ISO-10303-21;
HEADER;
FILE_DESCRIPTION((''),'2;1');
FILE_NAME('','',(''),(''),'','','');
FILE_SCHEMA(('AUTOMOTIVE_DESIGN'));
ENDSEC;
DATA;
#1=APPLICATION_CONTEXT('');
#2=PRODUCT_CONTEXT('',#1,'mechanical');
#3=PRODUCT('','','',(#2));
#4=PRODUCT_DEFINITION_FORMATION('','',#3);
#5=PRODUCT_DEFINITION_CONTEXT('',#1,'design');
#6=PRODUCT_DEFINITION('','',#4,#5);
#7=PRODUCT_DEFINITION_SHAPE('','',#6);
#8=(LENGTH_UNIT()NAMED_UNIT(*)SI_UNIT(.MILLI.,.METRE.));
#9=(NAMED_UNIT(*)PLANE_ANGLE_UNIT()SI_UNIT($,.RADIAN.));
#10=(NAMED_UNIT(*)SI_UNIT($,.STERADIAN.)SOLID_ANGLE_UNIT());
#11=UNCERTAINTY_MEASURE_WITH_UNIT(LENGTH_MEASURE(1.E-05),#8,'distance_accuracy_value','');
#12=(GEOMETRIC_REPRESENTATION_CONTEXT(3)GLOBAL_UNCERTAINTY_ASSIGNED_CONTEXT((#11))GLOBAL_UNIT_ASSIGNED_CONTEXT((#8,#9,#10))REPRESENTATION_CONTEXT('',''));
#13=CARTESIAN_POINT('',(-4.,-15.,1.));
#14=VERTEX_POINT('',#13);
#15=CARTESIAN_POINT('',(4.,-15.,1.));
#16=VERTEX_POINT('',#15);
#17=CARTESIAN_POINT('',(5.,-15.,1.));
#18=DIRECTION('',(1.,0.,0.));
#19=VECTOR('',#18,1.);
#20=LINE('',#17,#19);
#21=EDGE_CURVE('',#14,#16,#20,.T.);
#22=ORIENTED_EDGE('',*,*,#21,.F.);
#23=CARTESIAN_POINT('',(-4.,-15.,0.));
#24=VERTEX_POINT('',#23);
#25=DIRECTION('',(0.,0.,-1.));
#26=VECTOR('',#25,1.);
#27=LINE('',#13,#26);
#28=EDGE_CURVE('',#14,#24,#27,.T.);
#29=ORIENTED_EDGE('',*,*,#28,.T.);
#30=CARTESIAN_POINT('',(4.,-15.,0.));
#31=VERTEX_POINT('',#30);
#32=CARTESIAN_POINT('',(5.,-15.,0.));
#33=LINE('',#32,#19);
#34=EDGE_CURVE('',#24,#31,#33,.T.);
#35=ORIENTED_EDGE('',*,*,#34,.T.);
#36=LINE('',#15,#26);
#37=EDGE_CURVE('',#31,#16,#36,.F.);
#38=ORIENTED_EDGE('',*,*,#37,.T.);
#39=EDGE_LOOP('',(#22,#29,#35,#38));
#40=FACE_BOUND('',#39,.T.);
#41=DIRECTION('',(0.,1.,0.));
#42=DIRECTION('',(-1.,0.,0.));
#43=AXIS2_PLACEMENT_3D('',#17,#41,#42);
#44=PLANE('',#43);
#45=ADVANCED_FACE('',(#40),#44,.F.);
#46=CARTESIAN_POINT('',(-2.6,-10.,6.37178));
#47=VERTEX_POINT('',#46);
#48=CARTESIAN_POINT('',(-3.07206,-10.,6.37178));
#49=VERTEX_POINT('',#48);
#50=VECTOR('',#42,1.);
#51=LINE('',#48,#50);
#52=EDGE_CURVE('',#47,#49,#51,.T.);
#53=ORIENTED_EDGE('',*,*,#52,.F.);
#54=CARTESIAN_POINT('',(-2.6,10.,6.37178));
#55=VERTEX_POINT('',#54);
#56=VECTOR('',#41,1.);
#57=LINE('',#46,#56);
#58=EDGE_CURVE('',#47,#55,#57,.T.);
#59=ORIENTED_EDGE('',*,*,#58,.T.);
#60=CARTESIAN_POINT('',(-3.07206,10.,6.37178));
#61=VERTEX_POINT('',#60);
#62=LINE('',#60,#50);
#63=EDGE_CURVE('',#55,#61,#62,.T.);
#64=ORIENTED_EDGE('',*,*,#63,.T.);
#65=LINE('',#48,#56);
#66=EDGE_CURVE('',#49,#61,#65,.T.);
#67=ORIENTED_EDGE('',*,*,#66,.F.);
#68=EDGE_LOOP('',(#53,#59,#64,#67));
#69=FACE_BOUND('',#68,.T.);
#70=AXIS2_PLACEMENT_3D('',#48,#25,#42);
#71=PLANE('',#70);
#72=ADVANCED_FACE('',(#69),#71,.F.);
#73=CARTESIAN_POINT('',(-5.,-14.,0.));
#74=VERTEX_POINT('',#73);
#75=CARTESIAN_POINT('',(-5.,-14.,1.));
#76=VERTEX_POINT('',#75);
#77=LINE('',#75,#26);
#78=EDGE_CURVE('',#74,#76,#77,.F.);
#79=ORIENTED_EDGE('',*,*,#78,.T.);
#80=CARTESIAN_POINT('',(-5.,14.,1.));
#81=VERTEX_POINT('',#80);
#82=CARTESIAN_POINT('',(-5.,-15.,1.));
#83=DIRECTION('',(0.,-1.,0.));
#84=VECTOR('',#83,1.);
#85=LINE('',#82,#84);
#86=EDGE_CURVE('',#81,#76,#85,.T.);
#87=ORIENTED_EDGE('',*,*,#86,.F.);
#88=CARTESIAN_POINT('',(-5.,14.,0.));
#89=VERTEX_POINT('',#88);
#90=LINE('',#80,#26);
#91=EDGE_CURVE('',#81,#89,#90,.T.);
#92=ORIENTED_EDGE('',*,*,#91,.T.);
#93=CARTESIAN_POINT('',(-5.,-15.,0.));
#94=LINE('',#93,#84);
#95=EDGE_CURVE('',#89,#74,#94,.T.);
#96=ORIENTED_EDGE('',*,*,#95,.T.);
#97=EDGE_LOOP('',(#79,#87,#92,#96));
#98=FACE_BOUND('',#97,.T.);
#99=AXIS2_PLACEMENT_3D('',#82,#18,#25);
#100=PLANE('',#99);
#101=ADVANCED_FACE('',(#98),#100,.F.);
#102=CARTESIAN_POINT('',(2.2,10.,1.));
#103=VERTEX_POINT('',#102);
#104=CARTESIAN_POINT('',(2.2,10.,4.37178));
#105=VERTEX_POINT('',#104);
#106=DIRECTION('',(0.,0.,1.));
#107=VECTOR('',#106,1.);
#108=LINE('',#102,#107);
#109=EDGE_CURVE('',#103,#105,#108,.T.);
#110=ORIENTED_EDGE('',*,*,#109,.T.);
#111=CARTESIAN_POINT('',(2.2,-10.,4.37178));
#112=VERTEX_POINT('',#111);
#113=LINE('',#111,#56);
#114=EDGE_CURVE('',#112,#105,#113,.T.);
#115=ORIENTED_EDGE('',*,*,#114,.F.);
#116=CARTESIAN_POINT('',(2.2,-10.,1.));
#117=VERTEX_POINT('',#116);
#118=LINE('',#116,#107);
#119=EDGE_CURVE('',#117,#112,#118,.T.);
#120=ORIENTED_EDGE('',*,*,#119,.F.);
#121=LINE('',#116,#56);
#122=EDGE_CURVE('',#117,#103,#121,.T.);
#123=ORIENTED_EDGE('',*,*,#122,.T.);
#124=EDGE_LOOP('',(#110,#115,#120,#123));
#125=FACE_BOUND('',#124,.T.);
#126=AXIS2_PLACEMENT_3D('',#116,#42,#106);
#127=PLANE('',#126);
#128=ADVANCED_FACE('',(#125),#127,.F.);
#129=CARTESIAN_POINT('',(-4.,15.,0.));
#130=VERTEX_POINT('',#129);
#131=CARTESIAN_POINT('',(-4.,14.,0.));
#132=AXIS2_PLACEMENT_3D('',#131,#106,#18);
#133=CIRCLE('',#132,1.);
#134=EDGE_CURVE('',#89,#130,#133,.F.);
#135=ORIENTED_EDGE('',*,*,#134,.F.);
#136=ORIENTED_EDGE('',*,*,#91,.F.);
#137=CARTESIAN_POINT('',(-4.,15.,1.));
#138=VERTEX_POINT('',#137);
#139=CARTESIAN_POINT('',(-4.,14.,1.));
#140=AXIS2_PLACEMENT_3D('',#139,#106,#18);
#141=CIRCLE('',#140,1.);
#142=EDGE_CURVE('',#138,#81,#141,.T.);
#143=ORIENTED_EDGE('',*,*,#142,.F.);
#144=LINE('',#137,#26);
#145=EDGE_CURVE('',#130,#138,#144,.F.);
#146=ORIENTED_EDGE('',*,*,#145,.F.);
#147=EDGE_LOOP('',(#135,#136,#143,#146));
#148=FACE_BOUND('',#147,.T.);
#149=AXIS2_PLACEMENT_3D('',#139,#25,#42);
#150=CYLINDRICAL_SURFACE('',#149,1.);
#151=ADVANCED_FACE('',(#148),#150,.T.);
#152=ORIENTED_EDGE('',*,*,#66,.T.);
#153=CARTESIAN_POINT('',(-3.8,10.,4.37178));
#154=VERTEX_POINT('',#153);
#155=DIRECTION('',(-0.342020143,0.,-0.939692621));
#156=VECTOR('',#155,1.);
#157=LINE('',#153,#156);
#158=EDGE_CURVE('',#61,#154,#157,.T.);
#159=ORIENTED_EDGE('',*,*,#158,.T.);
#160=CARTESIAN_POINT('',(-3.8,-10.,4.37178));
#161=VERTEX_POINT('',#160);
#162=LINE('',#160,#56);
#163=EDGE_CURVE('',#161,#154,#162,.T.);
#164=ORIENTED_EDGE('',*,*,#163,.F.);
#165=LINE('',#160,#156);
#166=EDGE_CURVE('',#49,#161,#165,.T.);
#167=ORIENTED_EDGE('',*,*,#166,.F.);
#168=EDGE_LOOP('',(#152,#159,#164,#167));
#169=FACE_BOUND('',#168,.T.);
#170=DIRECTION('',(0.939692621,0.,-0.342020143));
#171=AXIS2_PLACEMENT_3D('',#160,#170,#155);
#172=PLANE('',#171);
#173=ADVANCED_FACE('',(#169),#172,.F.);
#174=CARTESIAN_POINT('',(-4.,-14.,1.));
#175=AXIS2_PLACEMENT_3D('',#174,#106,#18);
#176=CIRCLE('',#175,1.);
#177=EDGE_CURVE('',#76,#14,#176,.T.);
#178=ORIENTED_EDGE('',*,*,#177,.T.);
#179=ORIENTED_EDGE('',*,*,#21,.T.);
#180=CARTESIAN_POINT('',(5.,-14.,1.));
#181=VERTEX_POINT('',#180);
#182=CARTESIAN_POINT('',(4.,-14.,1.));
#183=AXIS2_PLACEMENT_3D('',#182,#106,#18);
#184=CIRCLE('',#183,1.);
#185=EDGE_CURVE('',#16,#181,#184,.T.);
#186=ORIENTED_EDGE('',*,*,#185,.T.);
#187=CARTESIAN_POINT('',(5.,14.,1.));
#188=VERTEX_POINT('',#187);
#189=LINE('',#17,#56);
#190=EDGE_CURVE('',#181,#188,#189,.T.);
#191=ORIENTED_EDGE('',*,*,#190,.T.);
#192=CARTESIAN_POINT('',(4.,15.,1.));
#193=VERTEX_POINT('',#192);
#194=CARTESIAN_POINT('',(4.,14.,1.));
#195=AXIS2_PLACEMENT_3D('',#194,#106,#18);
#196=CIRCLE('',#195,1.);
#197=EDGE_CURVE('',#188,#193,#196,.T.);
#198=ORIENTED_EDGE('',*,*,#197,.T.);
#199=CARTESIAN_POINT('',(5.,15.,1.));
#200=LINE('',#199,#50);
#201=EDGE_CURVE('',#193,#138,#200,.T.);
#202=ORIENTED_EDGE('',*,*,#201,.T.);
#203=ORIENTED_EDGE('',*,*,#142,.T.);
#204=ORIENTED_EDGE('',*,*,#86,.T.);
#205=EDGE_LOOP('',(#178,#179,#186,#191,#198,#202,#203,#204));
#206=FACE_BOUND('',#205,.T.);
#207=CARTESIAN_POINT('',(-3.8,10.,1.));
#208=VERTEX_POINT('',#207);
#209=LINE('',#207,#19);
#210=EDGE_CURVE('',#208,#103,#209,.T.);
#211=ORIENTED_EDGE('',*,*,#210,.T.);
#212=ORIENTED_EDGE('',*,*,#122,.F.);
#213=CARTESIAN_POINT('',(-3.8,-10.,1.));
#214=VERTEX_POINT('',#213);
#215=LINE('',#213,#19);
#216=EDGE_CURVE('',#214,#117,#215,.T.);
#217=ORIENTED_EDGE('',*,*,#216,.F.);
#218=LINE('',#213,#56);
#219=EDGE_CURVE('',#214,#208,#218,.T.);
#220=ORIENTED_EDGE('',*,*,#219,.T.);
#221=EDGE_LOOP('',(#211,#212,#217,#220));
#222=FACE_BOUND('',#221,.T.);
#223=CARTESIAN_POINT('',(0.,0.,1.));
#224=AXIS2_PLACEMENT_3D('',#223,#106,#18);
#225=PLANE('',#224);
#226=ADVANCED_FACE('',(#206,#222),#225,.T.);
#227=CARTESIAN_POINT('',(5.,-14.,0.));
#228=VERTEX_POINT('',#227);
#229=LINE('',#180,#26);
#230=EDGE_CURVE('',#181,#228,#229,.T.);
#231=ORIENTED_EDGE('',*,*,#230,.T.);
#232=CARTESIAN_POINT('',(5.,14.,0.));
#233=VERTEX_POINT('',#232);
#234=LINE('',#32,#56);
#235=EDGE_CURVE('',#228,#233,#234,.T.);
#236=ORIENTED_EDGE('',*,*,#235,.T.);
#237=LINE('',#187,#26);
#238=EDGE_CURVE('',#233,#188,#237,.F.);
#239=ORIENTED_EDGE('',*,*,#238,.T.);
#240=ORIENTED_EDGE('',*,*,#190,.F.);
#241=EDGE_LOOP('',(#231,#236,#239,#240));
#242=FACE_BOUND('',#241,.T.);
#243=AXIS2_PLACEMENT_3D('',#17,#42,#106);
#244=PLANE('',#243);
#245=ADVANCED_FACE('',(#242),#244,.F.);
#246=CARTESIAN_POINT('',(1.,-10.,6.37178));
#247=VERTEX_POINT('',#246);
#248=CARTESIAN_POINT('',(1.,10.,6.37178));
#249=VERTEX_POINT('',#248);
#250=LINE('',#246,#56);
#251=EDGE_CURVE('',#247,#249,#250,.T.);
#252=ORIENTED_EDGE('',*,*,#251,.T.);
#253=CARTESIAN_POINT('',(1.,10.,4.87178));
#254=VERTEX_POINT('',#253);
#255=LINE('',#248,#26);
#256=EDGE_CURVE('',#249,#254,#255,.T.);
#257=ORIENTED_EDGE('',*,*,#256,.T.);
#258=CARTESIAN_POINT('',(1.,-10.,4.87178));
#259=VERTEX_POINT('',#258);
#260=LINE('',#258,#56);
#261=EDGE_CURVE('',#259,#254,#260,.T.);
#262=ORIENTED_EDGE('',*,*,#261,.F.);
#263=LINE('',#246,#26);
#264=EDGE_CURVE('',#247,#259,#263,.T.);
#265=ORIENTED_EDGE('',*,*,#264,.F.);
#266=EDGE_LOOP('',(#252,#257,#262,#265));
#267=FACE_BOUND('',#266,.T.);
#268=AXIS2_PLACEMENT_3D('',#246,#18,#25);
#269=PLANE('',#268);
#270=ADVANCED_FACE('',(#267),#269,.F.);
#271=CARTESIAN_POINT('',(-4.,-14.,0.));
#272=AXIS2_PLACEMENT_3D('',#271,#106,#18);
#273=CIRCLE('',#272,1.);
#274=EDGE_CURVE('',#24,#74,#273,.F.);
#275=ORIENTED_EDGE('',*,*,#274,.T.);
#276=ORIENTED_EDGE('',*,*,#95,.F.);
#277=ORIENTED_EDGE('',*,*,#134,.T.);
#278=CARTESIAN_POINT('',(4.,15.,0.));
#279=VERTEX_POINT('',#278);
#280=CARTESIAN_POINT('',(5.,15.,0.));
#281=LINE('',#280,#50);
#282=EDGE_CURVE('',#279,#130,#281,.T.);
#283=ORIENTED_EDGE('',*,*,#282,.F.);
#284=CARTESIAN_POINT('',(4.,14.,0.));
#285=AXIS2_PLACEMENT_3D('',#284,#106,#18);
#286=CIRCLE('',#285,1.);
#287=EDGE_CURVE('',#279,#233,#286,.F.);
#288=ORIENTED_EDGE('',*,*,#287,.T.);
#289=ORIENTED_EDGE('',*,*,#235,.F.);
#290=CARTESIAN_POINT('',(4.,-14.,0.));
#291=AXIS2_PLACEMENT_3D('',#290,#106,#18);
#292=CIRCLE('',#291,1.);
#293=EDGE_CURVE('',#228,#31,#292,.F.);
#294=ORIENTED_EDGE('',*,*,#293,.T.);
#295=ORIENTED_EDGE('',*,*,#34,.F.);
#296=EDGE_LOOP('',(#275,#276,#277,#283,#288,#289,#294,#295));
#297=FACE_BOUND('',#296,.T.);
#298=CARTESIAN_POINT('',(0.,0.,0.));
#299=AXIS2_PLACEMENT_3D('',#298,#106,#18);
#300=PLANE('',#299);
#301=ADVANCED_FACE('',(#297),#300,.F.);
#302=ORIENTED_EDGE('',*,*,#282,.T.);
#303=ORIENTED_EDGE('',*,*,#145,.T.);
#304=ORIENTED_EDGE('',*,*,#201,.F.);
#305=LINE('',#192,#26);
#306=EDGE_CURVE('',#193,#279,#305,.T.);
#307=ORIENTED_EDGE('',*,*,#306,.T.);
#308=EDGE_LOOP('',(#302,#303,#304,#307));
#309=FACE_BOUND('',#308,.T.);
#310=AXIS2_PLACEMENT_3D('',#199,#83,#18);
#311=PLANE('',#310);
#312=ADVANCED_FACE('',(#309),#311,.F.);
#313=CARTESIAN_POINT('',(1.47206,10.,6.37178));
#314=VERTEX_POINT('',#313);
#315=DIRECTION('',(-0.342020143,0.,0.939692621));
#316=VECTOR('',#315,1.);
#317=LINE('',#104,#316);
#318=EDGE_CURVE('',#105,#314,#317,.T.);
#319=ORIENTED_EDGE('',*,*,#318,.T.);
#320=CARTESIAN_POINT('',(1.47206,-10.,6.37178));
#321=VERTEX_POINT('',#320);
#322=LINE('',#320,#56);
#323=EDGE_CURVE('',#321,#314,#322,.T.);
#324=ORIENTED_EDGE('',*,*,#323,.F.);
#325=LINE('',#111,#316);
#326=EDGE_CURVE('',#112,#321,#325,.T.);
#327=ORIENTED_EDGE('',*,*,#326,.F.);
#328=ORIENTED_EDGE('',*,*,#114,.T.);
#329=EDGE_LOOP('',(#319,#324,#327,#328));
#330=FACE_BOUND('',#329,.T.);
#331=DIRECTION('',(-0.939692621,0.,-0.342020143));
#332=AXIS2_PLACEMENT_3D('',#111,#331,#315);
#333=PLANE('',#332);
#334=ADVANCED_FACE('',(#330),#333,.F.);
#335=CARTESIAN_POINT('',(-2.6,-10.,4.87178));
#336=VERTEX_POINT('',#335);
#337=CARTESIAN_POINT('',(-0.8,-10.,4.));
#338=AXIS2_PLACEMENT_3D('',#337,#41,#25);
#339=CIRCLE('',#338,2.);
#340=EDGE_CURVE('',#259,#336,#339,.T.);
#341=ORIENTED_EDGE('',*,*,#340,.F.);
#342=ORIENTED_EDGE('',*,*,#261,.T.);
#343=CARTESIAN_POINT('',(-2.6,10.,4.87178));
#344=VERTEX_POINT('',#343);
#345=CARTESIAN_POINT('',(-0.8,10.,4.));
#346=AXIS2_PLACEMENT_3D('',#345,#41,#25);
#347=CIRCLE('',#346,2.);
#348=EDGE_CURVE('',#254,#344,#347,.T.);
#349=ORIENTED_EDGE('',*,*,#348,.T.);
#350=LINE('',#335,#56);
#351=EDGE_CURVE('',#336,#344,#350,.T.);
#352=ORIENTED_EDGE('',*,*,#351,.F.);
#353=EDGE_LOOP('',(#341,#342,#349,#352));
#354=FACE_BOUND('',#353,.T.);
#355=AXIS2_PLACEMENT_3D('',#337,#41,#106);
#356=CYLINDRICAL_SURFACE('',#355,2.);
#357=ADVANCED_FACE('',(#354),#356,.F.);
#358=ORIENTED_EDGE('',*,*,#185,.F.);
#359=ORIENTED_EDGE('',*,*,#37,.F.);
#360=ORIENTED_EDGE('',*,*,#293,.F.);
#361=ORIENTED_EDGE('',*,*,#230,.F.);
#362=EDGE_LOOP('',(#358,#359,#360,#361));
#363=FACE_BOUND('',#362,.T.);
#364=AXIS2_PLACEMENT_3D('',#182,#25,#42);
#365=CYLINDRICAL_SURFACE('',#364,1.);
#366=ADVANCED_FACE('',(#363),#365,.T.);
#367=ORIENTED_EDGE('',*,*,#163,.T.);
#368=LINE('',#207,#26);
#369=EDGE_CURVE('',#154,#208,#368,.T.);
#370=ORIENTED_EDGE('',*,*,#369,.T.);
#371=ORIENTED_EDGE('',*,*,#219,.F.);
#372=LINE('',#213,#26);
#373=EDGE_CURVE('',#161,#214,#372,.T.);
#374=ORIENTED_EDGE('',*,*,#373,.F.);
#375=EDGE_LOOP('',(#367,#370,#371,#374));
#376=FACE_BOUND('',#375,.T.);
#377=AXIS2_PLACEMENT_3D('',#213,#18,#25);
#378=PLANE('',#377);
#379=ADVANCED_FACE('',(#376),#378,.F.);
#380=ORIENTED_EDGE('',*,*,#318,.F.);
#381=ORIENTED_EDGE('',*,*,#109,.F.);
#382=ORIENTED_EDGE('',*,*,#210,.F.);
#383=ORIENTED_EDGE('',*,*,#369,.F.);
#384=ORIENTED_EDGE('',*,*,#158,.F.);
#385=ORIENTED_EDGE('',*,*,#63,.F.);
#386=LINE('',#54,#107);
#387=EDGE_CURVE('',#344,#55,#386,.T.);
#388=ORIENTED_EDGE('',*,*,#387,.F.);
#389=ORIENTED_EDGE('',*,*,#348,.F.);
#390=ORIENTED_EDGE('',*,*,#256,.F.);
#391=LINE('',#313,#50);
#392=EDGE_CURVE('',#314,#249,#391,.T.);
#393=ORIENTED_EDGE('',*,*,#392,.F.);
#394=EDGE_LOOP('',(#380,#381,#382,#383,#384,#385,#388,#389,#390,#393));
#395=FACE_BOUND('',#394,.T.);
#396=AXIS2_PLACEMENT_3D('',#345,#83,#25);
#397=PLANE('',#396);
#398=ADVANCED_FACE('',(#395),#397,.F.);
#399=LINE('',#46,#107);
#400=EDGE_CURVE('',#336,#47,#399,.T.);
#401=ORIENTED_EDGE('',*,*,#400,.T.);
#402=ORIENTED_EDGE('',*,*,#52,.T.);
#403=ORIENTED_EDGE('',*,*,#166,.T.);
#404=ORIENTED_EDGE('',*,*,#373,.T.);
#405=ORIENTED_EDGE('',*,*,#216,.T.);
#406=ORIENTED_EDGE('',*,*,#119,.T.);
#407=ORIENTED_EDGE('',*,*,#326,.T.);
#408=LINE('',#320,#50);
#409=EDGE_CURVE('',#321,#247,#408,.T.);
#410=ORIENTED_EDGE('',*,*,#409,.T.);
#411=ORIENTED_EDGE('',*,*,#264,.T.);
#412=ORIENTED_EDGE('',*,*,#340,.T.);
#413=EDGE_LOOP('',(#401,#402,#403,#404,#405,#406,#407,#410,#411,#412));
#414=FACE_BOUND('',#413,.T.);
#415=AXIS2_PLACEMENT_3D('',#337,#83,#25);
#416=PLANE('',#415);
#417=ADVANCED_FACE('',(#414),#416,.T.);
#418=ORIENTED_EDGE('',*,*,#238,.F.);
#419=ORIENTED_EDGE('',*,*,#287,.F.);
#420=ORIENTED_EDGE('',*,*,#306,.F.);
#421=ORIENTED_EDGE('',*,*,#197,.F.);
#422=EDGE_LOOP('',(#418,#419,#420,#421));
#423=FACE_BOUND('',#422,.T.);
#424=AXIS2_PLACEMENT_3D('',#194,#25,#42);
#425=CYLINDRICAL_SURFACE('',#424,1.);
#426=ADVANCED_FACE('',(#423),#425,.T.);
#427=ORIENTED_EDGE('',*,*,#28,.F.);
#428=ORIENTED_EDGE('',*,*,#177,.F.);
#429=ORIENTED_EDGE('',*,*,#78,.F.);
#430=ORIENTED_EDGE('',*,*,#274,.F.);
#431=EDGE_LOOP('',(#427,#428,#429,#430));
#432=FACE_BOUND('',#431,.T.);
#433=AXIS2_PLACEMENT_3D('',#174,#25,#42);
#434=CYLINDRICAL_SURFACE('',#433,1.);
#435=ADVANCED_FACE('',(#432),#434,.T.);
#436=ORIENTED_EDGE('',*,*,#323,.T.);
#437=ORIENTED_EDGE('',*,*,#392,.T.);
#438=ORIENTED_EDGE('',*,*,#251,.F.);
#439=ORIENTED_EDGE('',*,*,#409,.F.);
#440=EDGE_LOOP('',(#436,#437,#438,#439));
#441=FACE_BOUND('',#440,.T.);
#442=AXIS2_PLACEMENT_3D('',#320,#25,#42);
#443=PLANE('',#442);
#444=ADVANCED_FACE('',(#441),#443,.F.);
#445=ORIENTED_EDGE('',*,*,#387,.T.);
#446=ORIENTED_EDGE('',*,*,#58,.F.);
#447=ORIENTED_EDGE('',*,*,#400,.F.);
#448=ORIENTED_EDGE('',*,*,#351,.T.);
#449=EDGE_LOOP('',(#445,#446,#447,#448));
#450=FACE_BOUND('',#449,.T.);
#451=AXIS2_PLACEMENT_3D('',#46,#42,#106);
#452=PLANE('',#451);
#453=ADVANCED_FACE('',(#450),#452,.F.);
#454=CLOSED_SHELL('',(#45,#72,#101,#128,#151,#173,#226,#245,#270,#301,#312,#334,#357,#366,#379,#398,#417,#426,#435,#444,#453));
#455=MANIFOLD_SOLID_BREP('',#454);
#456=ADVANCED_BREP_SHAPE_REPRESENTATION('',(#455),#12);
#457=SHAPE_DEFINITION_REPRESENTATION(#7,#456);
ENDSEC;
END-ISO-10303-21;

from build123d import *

# Parameters (mm, degrees)
SKETCH1_W           = 10
SKETCH1_H           = 30
BOSS_EXTRUDE1_DEPTH = 1
BOSS_EXTRUDE2_DEPTH = 10
FILLET1_R           = 1


with BuildPart() as part:
    # Sketch1 → Boss-Extrude1 (new body)
    with BuildSketch(Plane.XY):
        Rectangle(SKETCH1_W, SKETCH1_H)
    extrude(amount=BOSS_EXTRUDE1_DEPTH)

    # Sketch3 → Boss-Extrude2 (add, symmetric)
    with BuildSketch(Plane.XZ):
        with BuildLine():
            Line((-3.8, 1), (-3.8, 4.371779789))
            Line((-3.8, 4.371779789), (-3.072059531, 6.371779789))
            Line((-3.072059531, 6.371779789), (-2.6, 6.371779789))
            Line((-2.6, 6.371779789), (-2.6, 4.871779789))
            ThreePointArc((-2.6, 4.871779789), (-0.8, 2), (1, 4.871779789))
            Line((1, 4.871779789), (1, 6.371779789))
            Line((1, 6.371779789), (1.472059531, 6.371779789))
            Line((1.472059531, 6.371779789), (2.2, 4.371779789))
            Line((2.2, 4.371779789), (2.2, 1))
            Line((2.2, 1), (-3.8, 1))
        make_face()
    extrude(amount=BOSS_EXTRUDE2_DEPTH, both=True)

    # Fillet1
    fillet1_edges = [part.edges().sort_by_distance(p)[0] for p in [
        (-5, 15, 0.5),
        (5, 15, 0.5),
        (5, -15, 0.5),
        (-5, -15, 0.5),
    ]]
    fillet(fillet1_edges, radius=FILLET1_R)


solid = part.part
